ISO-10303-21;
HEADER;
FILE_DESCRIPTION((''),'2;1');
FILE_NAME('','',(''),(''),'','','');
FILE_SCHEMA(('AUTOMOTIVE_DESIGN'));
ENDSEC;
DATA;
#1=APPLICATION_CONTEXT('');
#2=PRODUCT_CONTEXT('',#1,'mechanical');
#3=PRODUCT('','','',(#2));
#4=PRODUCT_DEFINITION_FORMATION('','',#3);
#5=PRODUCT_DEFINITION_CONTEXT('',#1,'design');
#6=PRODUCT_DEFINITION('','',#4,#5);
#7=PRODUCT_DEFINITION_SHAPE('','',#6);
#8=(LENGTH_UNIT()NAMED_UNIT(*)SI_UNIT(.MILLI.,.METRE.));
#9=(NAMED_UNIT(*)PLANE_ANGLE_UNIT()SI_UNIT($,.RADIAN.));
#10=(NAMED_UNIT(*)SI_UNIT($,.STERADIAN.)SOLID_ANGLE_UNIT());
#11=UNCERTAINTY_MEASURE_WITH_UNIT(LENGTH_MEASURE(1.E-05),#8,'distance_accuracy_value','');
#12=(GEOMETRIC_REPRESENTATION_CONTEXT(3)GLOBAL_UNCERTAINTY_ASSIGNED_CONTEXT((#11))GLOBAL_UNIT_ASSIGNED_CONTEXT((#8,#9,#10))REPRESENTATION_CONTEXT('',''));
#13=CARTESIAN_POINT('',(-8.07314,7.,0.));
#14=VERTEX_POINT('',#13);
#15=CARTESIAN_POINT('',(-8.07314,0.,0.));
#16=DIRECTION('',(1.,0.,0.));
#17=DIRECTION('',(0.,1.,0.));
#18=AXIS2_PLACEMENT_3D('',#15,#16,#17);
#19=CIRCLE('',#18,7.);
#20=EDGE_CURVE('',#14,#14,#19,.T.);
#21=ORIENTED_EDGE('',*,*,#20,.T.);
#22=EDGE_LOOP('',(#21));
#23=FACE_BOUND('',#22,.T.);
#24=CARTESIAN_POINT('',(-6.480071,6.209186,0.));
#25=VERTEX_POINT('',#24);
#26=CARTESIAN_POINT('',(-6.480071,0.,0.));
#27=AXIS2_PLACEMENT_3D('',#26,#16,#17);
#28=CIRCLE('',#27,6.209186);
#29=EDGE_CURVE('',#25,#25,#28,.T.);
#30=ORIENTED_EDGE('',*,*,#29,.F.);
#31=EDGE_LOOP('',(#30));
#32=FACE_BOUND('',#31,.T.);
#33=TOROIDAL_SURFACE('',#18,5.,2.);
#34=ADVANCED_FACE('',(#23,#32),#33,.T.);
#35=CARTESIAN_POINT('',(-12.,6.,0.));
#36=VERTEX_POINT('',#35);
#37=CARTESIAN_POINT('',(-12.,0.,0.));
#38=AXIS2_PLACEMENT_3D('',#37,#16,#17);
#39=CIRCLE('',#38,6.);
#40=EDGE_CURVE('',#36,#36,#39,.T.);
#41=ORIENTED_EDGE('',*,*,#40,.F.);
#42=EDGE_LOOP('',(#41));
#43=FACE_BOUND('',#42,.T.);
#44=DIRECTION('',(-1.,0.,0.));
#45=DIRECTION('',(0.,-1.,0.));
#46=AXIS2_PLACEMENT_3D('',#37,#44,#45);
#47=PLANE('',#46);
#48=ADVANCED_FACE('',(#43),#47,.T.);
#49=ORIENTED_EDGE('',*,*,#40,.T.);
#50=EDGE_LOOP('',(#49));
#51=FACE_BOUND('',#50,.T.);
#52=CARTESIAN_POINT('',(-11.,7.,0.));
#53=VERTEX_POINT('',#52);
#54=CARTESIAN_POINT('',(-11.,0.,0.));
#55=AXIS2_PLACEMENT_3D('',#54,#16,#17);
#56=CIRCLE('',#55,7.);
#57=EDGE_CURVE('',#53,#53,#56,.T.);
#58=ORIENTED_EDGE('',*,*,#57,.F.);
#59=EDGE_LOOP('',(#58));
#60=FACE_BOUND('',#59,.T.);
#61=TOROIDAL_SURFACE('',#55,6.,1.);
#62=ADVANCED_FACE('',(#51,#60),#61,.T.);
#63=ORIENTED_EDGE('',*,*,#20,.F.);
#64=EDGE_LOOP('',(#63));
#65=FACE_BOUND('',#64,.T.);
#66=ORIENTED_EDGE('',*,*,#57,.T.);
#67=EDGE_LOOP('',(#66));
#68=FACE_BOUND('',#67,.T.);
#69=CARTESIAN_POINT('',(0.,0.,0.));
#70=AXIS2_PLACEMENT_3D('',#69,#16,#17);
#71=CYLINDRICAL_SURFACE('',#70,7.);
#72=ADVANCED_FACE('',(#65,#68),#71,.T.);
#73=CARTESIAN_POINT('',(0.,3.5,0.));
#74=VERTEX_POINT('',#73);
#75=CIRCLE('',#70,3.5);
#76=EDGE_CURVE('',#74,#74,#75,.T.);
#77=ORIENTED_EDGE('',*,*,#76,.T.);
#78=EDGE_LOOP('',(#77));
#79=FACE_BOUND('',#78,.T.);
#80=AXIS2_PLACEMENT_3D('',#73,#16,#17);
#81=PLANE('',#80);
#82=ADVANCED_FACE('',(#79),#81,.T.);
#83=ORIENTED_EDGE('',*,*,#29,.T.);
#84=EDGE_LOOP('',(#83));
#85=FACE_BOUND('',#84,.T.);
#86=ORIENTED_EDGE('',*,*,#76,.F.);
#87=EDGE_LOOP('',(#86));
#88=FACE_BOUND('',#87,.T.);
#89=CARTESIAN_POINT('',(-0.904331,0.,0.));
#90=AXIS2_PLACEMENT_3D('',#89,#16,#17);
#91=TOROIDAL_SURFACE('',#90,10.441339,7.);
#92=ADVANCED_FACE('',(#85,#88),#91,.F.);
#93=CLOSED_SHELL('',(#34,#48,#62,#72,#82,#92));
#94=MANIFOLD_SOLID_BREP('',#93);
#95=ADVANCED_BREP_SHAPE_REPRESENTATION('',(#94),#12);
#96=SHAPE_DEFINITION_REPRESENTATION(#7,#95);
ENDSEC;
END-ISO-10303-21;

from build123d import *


with BuildPart() as part:
    # Sketch1 → Revolve1 (revolve)
    with BuildSketch(Plane.XY):
        with BuildLine():
            Line((-12, 0), (-12, 6))
            ThreePointArc((-12, 6), (-11.707106781, 6.707106781), (-11, 7))
            Line((-11, 7), (-8.073140091, 7))
            ThreePointArc((-8.073140091, 7), (-7.183863099, 6.791420227), (-6.4800713, 6.209186431))
            ThreePointArc((-6.4800713, 6.209186431), (-3.60441223, 3.983045141), (0, 3.5))
            Line((0, 3.5), (0, 0))
            Line((0, 0), (-12, 0))
        make_face()
    revolve(axis=Axis((0, 0, 0), (-1, 0, 0)))


solid = part.part
